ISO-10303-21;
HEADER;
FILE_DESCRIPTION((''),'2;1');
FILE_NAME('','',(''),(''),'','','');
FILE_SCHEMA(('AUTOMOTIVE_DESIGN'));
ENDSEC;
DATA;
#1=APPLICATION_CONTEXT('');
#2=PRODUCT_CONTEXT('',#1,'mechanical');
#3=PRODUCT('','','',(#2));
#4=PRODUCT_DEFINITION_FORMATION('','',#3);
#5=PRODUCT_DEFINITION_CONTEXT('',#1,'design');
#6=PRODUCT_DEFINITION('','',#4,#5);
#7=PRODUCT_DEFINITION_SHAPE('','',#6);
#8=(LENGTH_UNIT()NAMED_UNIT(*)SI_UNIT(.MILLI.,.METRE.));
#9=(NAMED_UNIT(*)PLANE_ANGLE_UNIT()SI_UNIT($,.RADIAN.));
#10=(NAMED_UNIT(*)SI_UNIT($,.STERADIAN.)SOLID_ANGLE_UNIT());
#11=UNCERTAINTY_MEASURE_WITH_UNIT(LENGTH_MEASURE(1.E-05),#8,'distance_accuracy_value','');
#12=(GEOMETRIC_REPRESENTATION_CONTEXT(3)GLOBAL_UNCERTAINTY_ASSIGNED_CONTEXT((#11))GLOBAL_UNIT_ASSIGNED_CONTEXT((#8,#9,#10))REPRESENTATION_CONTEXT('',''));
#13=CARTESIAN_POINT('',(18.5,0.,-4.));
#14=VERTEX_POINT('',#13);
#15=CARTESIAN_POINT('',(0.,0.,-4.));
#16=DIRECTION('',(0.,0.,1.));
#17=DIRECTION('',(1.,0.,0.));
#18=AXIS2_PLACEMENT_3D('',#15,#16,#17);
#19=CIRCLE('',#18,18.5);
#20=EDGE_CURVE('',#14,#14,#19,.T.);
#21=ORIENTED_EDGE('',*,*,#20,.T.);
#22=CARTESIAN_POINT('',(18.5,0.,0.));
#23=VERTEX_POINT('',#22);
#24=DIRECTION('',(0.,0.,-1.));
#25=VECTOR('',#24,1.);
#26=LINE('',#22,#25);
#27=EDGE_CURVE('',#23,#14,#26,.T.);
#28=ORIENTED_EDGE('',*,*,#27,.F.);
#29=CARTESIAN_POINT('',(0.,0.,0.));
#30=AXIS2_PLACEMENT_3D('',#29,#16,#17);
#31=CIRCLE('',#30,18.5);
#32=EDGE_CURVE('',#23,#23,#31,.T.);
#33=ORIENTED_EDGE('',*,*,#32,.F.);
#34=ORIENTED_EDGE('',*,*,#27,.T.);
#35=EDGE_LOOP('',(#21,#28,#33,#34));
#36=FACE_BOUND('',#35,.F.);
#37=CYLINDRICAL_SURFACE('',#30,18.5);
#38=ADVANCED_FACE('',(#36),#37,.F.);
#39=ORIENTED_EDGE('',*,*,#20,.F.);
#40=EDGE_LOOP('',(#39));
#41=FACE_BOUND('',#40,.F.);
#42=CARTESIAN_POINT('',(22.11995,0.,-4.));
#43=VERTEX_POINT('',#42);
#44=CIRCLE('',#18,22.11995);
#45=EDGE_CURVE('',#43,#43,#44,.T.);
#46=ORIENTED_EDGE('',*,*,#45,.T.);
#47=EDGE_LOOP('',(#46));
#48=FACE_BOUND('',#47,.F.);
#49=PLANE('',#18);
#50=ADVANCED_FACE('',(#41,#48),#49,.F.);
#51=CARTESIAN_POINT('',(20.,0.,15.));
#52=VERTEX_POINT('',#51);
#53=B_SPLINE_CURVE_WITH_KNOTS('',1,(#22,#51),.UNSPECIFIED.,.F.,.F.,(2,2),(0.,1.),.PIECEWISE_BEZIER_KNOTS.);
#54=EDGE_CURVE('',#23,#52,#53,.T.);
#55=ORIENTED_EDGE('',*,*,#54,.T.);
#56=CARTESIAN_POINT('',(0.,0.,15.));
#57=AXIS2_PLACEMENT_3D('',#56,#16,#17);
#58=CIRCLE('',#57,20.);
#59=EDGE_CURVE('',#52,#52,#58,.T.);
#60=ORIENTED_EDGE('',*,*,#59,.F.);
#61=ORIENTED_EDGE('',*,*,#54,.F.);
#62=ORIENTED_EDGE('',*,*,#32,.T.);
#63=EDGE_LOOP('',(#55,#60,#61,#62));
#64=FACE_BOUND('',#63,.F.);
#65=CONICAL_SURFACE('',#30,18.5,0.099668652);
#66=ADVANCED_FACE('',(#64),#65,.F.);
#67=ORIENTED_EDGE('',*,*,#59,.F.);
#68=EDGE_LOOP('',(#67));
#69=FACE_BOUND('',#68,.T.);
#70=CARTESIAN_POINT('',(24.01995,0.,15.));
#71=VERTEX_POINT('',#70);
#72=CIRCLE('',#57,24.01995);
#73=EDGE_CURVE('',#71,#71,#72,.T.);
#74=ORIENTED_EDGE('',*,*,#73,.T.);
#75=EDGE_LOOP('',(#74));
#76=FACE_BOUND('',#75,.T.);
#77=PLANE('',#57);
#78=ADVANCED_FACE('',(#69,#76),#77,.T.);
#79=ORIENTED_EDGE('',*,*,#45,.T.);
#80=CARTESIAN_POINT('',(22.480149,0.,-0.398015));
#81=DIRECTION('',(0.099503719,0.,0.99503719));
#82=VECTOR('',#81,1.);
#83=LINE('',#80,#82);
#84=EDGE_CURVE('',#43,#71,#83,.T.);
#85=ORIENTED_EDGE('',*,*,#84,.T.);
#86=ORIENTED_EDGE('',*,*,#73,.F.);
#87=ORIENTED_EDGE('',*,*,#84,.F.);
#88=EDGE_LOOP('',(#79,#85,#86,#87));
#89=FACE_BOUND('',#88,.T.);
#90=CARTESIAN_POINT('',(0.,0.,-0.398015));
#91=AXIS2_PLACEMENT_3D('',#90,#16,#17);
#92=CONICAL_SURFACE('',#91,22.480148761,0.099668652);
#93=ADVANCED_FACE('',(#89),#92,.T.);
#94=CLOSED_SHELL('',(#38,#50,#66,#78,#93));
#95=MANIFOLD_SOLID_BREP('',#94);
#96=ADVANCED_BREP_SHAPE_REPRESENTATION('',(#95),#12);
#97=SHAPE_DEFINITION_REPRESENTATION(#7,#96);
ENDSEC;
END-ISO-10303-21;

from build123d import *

# Parameters (mm, degrees)
F0_R     = 18.5
F2_R     = 20
F4_T     = 4
F5_R     = 18.5
F6_DEPTH = 25


with BuildPart() as f3:
    # F0 (on Top) → F3 section 0
    with BuildSketch(Plane.XY):
        Circle(F0_R)
    # F2 (on offset) → F3 section 1
    with BuildSketch(Plane.XY.offset(15)):
        Circle(F2_R)
    loft()

    # F4
    f4_openings = [f3.faces().sort_by_distance(p)[0] for p in [
        (0, 0, 15),
    ]]
    offset(amount=F4_T, openings=f4_openings, kind=Kind.INTERSECTION)

    # F5 (on face) → F6 (cut)
    with BuildSketch(Plane.XY):
        Circle(F5_R)
    extrude(amount=-F6_DEPTH, mode=Mode.SUBTRACT)


solid = f3.part
